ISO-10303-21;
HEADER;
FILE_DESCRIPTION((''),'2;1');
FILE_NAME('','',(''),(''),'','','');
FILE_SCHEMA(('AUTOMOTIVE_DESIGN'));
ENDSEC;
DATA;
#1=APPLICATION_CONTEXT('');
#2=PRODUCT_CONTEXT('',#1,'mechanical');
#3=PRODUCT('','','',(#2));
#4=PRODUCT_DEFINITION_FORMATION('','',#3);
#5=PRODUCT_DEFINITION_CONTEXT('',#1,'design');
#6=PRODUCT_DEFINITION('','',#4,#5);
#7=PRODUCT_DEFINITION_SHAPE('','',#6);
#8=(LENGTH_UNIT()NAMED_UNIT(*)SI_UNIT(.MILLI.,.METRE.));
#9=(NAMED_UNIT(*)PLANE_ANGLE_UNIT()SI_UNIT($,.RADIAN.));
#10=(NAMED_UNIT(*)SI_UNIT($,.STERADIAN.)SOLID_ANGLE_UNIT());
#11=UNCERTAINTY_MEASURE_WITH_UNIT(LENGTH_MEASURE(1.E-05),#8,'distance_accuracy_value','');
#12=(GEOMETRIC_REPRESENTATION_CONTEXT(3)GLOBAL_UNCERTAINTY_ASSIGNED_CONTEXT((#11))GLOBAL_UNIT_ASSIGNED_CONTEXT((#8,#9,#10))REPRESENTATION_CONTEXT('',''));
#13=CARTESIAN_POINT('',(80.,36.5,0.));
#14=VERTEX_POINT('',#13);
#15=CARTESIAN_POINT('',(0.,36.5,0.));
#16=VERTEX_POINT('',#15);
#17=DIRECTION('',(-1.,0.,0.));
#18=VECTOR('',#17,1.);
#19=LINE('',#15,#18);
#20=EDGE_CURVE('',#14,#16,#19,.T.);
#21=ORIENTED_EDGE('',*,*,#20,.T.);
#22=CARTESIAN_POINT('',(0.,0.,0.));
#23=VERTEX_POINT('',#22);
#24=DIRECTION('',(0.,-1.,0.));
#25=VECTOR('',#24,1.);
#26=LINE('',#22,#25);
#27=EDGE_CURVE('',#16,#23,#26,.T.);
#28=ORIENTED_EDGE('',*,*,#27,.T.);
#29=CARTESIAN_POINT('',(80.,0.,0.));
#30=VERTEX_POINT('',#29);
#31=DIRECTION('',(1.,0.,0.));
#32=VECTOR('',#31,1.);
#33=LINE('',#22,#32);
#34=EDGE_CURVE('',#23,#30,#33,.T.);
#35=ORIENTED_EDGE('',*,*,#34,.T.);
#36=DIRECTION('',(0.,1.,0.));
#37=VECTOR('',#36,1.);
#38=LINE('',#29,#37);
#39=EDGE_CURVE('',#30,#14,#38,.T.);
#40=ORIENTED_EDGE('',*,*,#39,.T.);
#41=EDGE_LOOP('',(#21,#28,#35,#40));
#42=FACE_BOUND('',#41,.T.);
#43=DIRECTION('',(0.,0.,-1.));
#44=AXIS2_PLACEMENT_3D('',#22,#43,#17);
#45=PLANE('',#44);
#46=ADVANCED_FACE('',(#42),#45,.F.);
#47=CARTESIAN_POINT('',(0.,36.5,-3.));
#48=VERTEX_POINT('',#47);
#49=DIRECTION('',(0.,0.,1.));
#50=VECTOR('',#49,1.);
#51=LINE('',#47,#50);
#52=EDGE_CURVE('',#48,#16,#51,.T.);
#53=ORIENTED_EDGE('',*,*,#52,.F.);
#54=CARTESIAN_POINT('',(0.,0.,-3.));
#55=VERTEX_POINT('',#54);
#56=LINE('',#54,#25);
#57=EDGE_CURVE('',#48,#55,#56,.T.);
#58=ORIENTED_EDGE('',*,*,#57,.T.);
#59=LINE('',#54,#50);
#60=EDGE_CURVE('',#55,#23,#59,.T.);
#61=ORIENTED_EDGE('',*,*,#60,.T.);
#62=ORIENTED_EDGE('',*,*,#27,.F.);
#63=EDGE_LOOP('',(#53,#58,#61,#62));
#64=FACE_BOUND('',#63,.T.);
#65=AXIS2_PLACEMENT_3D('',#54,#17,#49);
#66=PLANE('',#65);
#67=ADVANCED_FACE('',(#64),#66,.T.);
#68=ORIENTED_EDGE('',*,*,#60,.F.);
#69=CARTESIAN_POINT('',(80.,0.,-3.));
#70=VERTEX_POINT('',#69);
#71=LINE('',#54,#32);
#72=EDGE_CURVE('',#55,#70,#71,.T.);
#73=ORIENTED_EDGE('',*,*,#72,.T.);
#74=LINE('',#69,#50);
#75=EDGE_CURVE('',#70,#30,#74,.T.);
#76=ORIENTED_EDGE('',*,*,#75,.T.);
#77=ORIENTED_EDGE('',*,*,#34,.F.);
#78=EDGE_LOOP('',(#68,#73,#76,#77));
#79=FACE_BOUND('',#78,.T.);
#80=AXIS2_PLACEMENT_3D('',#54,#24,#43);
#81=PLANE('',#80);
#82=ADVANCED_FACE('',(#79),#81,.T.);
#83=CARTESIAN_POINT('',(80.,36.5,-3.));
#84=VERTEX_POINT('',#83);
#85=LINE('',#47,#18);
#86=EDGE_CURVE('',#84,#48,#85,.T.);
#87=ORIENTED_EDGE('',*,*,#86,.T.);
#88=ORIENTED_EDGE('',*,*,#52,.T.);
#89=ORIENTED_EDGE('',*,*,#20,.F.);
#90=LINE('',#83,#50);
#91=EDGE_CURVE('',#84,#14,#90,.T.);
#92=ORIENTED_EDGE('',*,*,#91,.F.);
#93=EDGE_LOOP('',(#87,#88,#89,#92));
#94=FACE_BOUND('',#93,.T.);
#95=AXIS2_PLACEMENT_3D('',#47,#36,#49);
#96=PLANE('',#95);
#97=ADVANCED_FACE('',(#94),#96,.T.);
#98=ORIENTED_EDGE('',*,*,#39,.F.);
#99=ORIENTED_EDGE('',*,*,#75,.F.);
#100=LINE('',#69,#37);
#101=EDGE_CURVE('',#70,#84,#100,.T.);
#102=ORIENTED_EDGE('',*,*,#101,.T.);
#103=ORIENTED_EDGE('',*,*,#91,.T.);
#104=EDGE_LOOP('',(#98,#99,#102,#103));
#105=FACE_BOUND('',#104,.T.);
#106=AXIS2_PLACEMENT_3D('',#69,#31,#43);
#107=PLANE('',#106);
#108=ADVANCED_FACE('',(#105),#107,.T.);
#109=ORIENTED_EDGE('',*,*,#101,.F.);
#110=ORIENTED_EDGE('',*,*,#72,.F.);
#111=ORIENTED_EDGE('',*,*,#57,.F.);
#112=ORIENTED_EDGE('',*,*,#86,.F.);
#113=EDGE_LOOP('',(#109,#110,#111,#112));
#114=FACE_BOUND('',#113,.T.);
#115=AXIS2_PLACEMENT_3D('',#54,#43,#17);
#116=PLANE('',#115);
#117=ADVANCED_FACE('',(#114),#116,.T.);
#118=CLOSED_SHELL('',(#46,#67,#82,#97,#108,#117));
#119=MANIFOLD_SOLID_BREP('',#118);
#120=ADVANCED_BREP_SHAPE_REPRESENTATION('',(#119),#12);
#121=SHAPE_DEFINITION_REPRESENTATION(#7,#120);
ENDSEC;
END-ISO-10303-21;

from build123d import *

# Parameters (mm, degrees)
SKETCH1_W           = 80
SKETCH1_H           = 36.5
BOSS_EXTRUDE1_DEPTH = 3


with BuildPart() as part:
    # Sketch1 → Boss-Extrude1 (new body)
    with BuildSketch(Plane.XY):
        with Locations((40, 18.25)):
            Rectangle(SKETCH1_W, SKETCH1_H)
    extrude(amount=-BOSS_EXTRUDE1_DEPTH)


solid = part.part
